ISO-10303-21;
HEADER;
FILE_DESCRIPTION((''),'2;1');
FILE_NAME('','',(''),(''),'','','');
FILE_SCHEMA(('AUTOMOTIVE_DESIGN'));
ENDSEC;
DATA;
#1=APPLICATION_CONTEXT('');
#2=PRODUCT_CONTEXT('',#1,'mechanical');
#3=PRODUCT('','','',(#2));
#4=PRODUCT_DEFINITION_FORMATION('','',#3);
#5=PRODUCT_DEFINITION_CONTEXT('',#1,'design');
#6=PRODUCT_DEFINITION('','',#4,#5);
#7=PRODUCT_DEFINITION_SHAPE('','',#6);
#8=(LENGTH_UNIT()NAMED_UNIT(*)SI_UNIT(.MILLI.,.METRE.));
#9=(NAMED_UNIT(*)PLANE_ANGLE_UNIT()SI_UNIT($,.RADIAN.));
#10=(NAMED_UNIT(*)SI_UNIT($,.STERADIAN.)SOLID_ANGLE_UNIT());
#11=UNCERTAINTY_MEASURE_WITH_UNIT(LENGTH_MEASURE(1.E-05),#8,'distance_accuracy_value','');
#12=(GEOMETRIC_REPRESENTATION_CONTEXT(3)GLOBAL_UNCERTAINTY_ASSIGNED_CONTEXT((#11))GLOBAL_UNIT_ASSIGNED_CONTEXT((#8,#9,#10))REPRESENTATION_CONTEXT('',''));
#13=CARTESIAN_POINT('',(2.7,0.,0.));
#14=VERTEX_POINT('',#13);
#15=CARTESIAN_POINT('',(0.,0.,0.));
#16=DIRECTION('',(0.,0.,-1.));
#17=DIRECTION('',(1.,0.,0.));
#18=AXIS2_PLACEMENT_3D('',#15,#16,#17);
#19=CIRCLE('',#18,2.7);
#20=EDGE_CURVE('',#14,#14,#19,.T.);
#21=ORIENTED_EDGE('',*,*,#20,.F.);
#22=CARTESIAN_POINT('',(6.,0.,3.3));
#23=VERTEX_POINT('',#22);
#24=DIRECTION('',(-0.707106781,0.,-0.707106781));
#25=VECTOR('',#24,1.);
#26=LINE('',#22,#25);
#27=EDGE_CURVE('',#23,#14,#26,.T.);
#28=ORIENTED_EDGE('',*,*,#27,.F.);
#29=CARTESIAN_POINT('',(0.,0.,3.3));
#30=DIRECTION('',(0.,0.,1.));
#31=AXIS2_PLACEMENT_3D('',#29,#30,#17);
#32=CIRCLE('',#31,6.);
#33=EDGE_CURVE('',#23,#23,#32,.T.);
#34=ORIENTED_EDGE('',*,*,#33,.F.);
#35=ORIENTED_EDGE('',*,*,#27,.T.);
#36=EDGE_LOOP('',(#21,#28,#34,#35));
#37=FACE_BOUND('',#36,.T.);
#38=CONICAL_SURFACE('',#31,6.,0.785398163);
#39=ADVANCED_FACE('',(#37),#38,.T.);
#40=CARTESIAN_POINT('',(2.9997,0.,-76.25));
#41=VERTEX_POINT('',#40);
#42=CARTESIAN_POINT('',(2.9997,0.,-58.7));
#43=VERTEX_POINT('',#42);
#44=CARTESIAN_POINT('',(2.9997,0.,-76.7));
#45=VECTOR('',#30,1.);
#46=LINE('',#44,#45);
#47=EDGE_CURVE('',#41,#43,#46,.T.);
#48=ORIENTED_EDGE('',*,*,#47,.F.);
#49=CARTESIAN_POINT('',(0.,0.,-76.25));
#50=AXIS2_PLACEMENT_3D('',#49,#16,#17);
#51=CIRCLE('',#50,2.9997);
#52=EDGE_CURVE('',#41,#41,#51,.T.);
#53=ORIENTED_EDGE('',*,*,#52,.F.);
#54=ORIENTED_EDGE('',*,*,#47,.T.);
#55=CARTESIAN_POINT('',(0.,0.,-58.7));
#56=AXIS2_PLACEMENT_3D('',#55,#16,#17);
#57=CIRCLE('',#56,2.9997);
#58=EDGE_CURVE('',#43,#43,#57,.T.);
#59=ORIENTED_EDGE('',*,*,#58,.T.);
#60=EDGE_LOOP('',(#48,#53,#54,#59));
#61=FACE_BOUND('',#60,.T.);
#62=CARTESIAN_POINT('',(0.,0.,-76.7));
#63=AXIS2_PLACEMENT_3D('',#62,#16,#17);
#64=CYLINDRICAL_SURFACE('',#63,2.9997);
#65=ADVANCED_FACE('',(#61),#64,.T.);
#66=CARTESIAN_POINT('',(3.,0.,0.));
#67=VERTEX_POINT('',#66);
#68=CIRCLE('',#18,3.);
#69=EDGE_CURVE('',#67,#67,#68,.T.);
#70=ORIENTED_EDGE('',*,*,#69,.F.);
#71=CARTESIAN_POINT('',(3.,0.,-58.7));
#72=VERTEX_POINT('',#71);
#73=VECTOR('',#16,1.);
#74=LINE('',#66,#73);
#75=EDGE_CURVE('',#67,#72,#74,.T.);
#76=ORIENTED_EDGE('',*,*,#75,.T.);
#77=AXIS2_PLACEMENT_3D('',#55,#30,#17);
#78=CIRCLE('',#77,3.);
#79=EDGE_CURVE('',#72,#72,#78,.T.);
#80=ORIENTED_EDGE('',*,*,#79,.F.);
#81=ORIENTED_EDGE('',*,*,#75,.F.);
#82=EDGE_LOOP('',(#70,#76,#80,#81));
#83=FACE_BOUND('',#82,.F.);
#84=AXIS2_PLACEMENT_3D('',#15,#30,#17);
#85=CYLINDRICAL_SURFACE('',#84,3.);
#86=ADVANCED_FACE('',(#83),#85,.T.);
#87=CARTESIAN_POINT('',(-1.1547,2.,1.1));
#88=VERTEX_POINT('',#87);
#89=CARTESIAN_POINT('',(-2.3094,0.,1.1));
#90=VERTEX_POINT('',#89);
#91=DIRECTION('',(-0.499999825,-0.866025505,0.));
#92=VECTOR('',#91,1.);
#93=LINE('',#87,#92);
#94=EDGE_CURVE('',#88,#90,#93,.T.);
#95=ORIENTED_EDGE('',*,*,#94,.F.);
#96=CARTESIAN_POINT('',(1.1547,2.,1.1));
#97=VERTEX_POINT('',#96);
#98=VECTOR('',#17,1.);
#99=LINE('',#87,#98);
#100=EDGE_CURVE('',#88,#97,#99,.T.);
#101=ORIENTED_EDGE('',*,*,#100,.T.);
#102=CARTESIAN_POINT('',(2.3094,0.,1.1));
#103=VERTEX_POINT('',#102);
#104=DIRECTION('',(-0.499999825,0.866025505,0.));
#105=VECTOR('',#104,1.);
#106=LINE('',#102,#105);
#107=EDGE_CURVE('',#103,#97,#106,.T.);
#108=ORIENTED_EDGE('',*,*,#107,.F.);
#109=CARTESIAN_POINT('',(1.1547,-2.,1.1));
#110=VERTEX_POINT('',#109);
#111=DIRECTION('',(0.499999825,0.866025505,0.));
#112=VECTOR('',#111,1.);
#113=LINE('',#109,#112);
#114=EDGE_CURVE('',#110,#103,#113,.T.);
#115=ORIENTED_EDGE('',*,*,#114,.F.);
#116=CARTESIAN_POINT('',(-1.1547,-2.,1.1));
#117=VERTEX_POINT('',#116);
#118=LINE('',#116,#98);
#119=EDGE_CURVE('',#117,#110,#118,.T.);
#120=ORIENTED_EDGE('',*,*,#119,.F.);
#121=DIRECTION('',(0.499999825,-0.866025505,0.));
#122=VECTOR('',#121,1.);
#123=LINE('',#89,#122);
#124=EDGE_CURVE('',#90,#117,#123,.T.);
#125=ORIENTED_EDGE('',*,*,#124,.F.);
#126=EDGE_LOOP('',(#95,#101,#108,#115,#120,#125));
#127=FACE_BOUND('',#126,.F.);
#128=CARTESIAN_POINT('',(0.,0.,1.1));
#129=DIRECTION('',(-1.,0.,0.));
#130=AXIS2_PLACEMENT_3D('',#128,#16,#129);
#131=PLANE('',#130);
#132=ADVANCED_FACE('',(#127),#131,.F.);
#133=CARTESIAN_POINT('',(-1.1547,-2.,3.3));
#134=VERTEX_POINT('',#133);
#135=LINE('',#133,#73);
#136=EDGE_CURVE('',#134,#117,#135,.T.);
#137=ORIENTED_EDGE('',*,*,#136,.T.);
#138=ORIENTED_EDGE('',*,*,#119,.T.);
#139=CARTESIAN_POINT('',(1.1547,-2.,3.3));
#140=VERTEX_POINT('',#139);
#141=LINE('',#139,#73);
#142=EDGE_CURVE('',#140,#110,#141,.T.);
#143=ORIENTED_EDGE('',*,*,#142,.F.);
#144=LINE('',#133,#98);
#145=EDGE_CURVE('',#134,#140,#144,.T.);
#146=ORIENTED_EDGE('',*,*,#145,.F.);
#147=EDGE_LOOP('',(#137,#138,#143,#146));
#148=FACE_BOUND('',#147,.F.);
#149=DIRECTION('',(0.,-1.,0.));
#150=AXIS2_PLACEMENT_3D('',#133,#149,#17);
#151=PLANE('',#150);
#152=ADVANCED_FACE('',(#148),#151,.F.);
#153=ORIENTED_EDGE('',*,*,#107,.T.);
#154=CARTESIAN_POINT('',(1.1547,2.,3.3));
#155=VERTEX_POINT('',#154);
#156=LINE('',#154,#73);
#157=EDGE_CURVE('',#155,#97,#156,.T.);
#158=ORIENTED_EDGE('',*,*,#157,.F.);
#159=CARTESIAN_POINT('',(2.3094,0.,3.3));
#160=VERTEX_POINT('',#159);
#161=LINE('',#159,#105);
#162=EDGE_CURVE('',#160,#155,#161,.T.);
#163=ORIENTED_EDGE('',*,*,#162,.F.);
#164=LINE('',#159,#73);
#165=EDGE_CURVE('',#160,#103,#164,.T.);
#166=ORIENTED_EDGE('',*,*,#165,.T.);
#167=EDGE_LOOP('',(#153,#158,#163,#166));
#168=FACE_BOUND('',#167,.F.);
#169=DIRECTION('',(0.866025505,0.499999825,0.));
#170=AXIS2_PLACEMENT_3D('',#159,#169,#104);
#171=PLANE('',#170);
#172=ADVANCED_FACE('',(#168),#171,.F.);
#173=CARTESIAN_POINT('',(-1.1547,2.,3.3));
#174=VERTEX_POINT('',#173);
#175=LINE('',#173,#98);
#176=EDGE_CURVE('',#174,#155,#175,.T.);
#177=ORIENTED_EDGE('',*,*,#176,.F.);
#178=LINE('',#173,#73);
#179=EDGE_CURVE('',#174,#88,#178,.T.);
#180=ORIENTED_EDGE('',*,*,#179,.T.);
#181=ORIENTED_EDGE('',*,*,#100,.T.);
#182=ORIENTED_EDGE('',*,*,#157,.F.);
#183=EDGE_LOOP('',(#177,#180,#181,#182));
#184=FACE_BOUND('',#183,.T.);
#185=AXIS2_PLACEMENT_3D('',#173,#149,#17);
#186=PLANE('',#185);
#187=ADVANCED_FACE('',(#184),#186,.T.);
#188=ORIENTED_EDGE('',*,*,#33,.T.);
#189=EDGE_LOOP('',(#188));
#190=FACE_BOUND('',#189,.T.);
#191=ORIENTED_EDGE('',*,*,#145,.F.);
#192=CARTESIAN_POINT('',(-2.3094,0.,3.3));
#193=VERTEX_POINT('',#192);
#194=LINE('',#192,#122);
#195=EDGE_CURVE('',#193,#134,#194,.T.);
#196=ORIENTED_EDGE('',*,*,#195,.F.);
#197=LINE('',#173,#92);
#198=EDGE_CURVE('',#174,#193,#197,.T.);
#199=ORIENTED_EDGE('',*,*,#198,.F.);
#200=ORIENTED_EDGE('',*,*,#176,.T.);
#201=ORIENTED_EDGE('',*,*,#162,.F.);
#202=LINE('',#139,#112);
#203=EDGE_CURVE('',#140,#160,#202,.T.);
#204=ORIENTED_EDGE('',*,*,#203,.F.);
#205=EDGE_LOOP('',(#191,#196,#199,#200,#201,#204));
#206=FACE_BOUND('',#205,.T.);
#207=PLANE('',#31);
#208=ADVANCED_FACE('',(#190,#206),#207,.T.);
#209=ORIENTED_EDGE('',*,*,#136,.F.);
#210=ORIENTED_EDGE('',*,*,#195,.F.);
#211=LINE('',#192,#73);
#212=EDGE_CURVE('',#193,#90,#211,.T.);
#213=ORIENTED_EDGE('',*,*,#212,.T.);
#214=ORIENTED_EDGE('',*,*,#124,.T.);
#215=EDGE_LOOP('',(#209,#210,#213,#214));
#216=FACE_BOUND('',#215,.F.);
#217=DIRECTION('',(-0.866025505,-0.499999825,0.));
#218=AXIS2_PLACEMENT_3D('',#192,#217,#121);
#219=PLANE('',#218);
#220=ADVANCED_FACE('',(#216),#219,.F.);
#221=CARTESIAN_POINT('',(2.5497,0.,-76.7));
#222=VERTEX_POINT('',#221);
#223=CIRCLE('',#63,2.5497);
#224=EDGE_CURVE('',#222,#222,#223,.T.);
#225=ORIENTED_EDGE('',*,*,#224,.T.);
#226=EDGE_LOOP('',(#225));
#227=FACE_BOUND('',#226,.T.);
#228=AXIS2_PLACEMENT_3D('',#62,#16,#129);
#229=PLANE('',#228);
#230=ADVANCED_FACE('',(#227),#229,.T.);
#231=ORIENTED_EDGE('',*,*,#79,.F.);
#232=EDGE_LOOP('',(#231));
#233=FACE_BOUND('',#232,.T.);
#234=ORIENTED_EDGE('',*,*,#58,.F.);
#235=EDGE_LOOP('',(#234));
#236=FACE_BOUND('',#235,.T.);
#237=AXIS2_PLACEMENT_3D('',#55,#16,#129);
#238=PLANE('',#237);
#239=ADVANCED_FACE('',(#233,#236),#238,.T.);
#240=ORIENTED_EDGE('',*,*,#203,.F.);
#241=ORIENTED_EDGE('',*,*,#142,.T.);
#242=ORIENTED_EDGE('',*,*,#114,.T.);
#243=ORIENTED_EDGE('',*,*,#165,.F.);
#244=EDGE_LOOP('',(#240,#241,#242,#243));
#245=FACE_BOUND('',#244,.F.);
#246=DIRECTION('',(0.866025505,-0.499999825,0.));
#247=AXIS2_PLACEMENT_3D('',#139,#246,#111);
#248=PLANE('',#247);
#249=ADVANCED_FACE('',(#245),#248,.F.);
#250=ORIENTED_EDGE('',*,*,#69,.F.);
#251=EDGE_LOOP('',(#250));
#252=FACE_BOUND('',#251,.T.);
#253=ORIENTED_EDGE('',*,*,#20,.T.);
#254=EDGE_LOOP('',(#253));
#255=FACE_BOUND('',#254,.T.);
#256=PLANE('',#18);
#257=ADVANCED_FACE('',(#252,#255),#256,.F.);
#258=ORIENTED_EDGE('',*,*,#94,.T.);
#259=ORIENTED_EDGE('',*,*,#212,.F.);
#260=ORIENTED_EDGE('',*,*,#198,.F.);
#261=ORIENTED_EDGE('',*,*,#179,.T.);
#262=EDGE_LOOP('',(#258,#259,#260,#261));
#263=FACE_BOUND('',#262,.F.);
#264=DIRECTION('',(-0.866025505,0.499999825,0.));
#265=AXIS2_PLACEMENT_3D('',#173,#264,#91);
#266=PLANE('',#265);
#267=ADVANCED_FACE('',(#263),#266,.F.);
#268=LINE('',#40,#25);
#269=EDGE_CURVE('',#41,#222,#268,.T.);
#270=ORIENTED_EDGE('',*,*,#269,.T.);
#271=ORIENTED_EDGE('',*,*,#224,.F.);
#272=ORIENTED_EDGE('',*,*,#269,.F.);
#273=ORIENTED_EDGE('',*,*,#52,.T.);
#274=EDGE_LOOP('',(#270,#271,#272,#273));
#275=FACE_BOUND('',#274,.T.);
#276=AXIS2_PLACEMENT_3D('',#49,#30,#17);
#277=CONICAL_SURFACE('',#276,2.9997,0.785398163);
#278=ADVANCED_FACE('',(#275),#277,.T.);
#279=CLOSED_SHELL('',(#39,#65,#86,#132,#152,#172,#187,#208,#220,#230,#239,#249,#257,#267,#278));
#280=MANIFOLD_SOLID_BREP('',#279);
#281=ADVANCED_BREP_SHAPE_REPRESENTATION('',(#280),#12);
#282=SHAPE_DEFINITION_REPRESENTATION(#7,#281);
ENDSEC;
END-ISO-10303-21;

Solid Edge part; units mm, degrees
sketch "Sketch1" plane through (0, 0, 0) normal (0, 0, 1) x (1, 0, 0)
  circle A0 centre (0, 0) radius 6
  dimension "D1" = 12
extrude "Protrusion1" add sketch "Sketch1" along normal blind 3.3
sketch "Sketch2" plane through (0, 0, 0) normal (0, 0, -1) x (1, 0, 0)
  circle A0 centre (0, 0) radius 3
extrude "Protrusion2" add sketch "Sketch2" along normal blind 76.7
sketch "Sketch3" plane through (0, 0, -76.7) normal (0, 0, -1) x (1, 0, 0)
  circle A0 centre (0, 0) radius 2.9997
extrude "Cutout1" cut sketch "Sketch3" against normal blind 18 flip side to cut
chamfer "Chamfer_1" distance 0.45 angle 45 1 edges at (-2.9997, 0, -76.7)
sketch "Sketch4" plane through (0, 0, 3.3) normal (0, 0, 1) x (1, 0, 0)
  line L0 (-1.1547, 2) -> (1.1547, 2)
  line L1 (2.3094, 0) -> (1.1547, 2)
  line L2 (1.1547, -2) -> (2.3094, 0)
  line L3 (-1.1547, -2) -> (1.1547, -2)
  line L4 (-2.3094, 0) -> (-1.1547, -2)
  line L5 (-1.1547, 2) -> (-2.3094, 0)
  dimension "D1" = 4
extrude "Cutout2" cut sketch "Sketch4" against normal blind 2.2
sketch "Sketch5" plane through (0, 0, 0) normal (0, -1, 0) x (1, 0, 0)
  line L0 (6, 3.3) -> (2.7, 0)
  line L1 (2.7, 0) -> (6, 0)
  line L2 (6, 0) -> (6, 3.3)
revolve "RevolvedCutout1" cut sketch "Sketch5" angle 360 about axis through (0, 0, 14.0017) along (0, 0, -1)
properties part number "107778"
